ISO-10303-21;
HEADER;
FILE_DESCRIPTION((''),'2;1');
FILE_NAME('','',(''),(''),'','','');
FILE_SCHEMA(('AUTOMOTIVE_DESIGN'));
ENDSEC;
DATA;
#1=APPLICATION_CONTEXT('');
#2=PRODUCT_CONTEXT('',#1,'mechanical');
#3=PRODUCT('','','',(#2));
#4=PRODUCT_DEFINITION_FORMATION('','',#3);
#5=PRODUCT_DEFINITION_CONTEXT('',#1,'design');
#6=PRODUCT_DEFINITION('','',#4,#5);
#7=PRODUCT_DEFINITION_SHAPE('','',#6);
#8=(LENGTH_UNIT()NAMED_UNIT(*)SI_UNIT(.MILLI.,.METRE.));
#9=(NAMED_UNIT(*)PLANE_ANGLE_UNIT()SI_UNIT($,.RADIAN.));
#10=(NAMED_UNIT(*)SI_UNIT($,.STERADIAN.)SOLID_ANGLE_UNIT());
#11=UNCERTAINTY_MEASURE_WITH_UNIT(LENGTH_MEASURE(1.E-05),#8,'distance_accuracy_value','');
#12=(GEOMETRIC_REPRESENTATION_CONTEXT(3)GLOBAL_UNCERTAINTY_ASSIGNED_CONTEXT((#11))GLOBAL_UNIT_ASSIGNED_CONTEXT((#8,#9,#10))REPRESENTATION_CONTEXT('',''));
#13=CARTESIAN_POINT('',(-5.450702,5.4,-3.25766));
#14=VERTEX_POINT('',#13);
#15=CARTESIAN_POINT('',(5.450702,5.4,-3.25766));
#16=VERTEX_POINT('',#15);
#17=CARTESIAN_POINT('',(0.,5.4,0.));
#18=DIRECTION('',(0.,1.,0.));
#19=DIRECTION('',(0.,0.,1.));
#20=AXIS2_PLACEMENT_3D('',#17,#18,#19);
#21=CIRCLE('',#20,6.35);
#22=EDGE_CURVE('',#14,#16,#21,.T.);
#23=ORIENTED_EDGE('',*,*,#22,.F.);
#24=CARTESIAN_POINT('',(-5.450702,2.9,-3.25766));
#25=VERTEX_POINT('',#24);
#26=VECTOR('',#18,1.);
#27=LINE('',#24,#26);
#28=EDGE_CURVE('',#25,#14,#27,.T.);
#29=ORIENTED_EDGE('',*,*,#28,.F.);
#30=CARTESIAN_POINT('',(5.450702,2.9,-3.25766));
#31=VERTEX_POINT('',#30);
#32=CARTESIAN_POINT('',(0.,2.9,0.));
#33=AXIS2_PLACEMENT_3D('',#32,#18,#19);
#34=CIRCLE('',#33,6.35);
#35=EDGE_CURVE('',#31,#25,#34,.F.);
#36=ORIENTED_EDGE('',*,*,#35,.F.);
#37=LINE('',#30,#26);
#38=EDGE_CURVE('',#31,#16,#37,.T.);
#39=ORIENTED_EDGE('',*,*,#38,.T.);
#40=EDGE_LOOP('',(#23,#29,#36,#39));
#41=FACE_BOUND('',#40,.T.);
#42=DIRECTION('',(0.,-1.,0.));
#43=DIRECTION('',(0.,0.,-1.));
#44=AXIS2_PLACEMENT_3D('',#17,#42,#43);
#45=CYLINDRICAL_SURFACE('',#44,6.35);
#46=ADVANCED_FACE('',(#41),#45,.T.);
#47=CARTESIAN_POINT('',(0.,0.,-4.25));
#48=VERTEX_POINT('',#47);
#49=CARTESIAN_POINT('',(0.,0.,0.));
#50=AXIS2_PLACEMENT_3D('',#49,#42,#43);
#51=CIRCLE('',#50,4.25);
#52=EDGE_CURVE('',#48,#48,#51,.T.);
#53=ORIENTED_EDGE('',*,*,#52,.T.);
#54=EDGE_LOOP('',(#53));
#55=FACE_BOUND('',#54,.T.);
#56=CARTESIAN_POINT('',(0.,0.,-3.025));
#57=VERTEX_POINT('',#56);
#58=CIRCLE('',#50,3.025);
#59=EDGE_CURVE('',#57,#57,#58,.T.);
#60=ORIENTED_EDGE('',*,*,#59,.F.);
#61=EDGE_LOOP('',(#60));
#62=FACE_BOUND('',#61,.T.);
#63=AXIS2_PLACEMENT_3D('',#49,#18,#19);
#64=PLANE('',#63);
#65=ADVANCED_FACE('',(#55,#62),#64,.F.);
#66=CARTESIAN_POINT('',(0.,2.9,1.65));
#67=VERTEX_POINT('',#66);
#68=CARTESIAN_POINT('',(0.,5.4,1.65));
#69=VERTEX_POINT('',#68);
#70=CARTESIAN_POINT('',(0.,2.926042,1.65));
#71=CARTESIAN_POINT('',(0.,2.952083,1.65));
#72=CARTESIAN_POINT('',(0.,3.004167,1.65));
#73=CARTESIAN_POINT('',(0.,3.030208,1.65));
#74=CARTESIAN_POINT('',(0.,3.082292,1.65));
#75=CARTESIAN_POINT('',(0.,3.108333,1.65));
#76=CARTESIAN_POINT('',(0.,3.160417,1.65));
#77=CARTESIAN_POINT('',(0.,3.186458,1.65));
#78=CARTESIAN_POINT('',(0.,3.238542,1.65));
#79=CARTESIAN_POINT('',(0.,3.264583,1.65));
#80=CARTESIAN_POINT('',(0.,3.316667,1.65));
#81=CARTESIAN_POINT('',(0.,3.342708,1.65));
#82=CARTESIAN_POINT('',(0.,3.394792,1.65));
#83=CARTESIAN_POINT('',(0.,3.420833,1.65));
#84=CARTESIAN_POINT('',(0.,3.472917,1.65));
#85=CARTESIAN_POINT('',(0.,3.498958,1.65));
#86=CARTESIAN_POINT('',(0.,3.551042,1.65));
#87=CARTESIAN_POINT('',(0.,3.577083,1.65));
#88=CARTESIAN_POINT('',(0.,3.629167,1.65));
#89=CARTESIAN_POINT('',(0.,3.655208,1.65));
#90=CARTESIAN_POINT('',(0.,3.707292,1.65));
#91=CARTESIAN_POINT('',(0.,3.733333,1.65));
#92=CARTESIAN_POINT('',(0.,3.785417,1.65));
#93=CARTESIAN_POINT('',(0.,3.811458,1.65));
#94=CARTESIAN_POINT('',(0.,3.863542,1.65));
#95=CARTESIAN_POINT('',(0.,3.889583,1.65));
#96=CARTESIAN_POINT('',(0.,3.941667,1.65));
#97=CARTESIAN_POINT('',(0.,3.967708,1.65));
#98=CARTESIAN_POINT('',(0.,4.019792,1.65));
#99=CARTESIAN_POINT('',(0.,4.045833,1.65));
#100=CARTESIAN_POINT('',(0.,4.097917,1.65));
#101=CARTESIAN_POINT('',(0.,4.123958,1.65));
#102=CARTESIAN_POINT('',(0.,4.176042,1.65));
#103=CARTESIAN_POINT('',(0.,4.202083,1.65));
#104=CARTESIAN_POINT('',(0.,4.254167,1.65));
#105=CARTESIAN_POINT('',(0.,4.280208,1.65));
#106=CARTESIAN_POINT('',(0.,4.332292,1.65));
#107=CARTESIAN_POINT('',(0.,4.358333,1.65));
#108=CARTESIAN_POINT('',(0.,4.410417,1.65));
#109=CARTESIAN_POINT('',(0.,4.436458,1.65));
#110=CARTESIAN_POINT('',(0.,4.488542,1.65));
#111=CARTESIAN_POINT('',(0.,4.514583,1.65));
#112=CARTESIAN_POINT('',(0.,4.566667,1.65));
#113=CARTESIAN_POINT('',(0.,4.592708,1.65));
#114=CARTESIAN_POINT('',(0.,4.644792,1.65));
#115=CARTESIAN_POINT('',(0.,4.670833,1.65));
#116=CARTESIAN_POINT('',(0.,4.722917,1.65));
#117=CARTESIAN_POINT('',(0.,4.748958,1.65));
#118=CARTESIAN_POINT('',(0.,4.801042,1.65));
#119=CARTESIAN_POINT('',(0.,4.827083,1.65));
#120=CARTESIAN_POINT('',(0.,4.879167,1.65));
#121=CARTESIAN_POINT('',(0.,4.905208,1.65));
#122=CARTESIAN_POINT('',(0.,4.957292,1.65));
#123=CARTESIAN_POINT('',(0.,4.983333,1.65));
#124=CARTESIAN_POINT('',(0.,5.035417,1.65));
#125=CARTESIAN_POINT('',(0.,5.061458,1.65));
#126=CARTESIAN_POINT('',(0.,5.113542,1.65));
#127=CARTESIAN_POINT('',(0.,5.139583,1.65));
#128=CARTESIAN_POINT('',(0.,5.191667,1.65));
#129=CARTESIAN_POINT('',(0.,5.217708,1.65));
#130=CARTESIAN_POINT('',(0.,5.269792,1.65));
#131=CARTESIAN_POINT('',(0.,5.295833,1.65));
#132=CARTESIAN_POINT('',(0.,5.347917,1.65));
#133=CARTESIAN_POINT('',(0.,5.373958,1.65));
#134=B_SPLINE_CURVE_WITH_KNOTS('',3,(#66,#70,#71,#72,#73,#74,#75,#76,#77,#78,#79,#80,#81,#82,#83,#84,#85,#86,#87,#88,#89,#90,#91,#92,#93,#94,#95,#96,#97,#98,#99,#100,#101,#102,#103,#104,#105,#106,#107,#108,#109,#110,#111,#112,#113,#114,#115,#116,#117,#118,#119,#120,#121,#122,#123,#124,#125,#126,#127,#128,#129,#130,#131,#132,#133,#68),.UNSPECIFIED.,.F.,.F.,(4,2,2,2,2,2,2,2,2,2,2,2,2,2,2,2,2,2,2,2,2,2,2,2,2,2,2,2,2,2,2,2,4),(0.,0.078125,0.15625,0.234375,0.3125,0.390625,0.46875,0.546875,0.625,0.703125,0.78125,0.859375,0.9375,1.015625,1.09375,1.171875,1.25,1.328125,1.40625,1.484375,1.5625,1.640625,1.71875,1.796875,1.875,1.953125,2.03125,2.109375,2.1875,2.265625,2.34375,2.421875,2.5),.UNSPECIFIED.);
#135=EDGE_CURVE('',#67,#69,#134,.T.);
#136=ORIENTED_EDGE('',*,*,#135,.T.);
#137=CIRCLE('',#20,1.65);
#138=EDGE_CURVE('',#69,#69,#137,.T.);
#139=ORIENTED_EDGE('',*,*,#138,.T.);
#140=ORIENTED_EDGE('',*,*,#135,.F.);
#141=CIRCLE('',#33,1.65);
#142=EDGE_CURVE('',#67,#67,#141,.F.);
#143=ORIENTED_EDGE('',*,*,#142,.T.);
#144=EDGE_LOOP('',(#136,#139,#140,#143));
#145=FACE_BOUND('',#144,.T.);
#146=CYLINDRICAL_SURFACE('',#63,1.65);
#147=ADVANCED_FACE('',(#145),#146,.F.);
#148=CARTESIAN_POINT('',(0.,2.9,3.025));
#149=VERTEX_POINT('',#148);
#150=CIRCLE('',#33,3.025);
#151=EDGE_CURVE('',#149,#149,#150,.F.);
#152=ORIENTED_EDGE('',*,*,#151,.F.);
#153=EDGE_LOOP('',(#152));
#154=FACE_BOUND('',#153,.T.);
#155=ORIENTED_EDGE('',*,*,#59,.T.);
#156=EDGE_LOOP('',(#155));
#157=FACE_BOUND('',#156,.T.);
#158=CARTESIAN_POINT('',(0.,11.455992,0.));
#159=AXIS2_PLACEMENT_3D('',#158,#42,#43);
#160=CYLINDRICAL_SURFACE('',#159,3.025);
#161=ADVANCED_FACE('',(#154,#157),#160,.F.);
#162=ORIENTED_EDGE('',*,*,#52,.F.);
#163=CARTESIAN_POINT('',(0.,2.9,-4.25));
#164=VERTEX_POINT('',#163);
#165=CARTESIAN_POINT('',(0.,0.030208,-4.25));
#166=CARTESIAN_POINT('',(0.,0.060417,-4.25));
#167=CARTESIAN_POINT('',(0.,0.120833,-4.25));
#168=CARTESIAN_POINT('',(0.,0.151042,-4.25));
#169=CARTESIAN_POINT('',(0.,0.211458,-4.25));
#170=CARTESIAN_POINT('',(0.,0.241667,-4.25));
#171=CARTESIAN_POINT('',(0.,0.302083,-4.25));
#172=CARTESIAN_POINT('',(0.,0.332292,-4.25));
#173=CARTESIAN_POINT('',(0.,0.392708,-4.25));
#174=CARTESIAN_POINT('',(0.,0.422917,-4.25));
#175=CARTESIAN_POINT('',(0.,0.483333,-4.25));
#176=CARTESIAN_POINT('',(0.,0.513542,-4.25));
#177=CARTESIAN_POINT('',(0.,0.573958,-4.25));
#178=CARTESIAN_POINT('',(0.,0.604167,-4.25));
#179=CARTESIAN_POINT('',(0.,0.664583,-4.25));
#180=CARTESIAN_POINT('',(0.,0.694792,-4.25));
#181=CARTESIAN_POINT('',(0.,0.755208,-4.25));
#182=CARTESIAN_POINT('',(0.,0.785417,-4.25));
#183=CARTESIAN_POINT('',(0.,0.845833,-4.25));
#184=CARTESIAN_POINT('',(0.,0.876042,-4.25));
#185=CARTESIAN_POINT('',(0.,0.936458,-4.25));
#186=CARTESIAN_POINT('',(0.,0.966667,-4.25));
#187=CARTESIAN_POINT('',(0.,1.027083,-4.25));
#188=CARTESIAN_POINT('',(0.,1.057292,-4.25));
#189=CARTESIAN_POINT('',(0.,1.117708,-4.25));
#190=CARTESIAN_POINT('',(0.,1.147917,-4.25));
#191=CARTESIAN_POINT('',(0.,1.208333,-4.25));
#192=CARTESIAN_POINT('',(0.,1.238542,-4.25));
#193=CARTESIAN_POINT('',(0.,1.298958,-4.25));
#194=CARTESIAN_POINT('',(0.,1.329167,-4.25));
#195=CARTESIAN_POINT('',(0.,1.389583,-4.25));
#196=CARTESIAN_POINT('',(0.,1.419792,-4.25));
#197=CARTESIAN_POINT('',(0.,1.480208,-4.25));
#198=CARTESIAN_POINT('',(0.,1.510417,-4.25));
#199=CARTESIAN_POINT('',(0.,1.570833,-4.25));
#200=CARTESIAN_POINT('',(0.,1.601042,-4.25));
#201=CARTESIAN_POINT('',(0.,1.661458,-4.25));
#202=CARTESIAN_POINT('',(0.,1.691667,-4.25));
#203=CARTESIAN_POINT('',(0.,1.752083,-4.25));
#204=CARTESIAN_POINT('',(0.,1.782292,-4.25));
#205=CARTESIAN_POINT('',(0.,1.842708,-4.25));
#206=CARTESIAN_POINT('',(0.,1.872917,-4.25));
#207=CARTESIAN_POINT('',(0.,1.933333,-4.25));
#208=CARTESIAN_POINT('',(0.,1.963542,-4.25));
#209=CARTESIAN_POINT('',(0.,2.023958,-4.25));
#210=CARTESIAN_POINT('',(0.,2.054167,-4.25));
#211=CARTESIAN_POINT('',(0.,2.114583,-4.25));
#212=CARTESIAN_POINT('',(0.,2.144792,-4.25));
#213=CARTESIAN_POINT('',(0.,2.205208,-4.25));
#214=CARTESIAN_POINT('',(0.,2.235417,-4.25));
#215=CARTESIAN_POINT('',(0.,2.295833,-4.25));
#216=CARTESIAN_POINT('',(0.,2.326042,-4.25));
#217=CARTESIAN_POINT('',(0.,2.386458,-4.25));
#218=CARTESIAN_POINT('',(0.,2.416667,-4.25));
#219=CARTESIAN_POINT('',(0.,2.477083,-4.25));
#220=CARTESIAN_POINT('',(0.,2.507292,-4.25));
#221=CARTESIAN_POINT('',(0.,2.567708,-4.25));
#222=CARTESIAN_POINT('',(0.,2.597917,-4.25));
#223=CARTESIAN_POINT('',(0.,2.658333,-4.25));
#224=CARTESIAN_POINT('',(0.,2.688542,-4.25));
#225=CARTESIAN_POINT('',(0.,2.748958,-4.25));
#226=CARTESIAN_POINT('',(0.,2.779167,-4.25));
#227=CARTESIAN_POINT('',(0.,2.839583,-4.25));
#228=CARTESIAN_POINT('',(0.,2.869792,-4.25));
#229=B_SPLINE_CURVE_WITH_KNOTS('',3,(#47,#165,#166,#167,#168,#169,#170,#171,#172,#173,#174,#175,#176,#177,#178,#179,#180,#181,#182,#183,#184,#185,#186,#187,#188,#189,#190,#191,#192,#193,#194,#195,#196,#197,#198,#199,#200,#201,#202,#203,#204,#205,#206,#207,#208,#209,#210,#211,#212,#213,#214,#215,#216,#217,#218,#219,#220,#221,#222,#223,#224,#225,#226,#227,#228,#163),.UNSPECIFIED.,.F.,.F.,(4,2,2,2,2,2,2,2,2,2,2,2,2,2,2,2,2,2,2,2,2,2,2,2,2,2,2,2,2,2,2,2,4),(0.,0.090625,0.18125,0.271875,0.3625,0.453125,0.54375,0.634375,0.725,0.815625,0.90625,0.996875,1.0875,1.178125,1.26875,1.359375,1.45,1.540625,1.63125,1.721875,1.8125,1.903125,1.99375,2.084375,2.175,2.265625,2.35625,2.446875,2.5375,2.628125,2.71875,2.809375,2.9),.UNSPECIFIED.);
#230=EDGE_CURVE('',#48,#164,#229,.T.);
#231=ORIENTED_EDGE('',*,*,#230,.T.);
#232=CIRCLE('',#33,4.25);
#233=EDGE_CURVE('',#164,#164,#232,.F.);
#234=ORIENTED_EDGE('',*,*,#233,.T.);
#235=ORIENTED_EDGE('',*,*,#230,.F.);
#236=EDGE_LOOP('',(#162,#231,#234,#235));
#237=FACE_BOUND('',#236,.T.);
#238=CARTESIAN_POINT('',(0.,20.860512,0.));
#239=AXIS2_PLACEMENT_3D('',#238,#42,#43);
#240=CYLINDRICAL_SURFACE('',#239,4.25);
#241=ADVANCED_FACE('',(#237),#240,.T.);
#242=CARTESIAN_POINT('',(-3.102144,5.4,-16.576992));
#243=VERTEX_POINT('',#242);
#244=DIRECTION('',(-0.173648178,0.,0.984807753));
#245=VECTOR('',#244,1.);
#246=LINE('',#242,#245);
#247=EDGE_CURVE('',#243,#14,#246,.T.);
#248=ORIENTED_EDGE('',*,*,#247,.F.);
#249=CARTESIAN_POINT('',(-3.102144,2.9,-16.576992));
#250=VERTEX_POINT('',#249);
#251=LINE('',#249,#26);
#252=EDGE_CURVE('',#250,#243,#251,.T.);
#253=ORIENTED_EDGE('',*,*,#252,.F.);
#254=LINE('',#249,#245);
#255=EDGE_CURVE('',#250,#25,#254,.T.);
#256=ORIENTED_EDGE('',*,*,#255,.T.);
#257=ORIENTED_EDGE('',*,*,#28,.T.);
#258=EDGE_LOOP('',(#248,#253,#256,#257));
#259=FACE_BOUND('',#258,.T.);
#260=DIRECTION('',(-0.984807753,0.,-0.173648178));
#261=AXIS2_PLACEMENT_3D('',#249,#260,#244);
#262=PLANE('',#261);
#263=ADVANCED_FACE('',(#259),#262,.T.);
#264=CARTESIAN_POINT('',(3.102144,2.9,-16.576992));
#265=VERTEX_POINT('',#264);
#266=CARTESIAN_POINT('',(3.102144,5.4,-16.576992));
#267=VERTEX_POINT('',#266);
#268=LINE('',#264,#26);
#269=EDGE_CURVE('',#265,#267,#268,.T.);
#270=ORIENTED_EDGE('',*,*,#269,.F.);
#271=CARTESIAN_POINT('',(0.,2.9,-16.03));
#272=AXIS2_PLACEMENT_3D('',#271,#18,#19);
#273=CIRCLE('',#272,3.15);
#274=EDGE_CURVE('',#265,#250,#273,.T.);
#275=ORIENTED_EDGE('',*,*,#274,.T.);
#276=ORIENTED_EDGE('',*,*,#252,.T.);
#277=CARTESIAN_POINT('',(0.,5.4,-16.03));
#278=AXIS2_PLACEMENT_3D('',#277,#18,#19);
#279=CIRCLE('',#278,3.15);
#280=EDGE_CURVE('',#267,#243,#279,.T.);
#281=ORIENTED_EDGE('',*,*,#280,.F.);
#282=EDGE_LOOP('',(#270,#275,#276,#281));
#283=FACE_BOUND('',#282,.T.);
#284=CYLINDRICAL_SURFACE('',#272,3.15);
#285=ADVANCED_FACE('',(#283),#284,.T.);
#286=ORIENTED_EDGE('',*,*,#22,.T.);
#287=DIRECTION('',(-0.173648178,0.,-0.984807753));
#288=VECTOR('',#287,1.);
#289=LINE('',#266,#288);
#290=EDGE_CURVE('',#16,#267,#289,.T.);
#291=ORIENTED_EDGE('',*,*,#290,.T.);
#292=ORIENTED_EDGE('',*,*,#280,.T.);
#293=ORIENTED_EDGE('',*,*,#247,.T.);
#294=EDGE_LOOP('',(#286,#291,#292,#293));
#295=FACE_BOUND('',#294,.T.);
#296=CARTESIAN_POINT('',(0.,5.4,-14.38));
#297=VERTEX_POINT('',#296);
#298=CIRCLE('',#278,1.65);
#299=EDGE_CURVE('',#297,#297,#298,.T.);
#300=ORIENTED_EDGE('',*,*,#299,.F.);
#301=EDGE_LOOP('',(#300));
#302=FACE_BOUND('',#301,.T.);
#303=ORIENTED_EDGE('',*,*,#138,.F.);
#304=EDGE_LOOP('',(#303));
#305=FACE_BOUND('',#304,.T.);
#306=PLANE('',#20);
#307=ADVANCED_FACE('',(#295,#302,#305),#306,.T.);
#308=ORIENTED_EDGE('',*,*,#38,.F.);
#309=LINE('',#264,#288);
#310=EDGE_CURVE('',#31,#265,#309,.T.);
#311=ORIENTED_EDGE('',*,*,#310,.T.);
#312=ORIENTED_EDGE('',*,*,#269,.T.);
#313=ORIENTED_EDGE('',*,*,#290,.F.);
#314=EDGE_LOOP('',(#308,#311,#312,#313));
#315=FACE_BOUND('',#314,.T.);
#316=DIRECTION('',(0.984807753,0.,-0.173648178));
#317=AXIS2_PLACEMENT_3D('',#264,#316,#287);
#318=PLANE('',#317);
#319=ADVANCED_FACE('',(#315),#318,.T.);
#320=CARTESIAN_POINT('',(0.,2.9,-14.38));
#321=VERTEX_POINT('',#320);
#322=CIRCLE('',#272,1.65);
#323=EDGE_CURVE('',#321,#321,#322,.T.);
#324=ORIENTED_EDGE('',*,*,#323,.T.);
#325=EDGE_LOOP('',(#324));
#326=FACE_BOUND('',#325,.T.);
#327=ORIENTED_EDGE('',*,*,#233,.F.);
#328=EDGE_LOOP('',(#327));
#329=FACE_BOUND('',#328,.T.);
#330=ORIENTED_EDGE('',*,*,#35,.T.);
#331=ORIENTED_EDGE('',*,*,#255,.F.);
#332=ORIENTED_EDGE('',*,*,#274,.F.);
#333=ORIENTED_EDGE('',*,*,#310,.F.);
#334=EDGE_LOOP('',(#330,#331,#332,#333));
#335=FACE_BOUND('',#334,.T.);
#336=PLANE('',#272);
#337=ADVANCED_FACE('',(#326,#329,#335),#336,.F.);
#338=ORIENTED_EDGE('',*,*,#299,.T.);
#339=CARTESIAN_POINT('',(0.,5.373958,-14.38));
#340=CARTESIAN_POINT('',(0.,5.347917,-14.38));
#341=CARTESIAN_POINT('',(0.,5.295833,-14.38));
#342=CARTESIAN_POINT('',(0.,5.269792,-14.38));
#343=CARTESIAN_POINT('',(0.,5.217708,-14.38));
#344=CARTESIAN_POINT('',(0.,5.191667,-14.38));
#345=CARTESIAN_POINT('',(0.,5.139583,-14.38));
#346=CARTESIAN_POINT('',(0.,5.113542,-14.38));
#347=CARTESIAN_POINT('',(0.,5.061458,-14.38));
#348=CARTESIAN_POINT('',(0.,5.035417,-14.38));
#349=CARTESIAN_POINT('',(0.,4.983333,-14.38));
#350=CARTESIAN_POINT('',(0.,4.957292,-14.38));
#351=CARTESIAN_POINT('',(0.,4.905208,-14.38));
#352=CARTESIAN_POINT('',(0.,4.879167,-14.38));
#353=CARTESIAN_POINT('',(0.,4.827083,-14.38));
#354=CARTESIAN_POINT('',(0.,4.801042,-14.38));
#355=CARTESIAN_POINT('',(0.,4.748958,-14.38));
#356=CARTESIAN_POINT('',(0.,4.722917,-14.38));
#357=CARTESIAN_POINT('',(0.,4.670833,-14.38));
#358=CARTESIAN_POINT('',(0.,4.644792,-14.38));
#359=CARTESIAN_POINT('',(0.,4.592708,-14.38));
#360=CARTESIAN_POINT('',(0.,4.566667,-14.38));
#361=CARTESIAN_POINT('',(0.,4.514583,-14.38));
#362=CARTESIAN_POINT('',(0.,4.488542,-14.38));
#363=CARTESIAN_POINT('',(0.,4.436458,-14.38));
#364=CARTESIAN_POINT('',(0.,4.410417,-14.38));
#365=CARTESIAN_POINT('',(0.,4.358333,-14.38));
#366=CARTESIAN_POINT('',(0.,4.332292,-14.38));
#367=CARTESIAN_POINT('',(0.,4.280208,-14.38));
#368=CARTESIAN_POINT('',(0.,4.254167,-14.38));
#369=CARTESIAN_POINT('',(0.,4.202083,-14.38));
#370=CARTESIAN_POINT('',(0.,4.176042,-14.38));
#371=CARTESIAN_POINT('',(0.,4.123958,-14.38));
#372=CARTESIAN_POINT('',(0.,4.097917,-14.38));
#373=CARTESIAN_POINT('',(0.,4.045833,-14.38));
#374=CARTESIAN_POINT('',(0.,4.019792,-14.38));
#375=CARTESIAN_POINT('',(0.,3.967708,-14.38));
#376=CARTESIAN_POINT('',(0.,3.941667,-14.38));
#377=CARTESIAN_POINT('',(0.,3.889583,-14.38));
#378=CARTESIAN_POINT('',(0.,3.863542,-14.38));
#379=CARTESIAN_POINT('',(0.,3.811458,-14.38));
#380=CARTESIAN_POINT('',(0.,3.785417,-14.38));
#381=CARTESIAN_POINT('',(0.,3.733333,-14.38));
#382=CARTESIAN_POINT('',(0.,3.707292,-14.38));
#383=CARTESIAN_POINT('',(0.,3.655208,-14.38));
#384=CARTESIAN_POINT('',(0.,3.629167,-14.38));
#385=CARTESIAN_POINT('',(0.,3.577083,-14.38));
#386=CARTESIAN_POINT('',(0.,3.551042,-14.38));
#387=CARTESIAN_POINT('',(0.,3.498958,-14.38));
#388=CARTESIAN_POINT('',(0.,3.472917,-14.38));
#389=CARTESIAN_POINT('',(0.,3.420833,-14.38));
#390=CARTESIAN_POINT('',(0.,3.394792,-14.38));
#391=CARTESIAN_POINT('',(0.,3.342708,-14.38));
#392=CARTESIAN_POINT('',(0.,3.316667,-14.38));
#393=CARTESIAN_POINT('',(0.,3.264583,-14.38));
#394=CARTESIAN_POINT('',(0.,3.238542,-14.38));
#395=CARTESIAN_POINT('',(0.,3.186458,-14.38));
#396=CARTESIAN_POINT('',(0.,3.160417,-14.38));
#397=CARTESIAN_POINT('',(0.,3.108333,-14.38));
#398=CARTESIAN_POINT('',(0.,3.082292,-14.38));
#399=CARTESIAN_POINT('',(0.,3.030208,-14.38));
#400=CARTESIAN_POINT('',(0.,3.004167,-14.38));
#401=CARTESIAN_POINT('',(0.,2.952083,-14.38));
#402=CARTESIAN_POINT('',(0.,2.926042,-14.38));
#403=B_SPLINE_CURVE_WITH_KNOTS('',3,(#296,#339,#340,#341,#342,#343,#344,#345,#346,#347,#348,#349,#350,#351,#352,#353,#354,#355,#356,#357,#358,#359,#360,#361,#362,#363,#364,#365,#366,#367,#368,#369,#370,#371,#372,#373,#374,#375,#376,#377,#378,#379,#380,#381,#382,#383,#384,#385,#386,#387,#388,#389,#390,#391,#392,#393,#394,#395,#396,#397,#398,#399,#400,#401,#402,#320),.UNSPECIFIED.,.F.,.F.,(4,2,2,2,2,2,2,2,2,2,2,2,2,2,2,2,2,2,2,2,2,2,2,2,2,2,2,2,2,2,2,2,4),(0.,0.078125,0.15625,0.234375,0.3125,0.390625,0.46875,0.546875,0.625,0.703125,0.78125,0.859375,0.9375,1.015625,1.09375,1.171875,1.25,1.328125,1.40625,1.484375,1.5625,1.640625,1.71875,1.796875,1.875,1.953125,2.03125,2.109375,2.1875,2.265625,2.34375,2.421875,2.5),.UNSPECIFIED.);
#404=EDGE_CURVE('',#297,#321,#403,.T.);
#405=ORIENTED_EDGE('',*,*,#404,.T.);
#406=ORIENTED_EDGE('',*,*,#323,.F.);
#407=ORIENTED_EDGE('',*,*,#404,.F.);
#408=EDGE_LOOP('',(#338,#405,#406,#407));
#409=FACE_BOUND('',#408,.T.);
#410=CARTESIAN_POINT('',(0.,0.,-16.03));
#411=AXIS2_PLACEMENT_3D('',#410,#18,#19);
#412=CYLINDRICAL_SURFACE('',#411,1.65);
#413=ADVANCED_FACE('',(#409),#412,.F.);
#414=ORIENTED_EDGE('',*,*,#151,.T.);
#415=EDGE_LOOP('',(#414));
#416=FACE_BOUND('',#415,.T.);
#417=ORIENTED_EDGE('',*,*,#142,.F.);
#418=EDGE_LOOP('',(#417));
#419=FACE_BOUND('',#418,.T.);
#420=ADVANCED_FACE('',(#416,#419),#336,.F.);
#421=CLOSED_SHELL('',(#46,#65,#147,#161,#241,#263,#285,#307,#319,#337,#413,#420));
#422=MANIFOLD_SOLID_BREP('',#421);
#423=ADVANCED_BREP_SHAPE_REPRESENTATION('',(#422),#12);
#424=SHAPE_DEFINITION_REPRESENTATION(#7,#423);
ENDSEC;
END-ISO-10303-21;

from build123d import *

# Parameters (mm, degrees)
BASES_R             = 6.35
BASE_DEPTH          = 5.4
TOPBORES_R          = 1.65
TOP_BORE_DEPTH      = 11.478788098
HORN_START          = -2.5
HORN_HALF_DEPTH     = 2.5
HORNATTACHS_R       = 1.65
HORN_ATTACH_DEPTH   = 21.913031822
HOLDINGSHAFTS_R     = 6.35
HOLDINGSHAFTS_R_2   = 4.25
HOLDING_SHAFT_DEPTH = 2.9
SKETCH3_R           = 3.025
CUT_EXTRUDE2_DEPTH  = 2.9


with BuildPart() as part:
    # BaseS → BASE (new body)
    with BuildSketch(Plane(origin=(0, 0, 0), x_dir=(1, 0, 0), z_dir=(0, 1, 0))):
        with Locations(Location((0, 0, 0), (0, 0, 90))):
            Circle(BASES_R)
    extrude(amount=BASE_DEPTH)

    # TopBoreS → TOP BORE (cut, through all)
    with BuildSketch(Plane(origin=(0, 5.4, 0), x_dir=(1, 0, 0), z_dir=(0, 1, 0))):
        with Locations(Location((0, 0, 0), (0, 0, 270))):
            Circle(TOPBORES_R)
    extrude(amount=-TOP_BORE_DEPTH, mode=Mode.SUBTRACT)

    # HornHalfS → HORN HALF (add)
    with BuildSketch(Plane(origin=(0, 5.4, 0), x_dir=(1, 0, 0), z_dir=(0, 1, 0)).offset(HORN_START)):
        with BuildLine():
            Line((-3.102144422, 16.57699176), (-5.450702003, 3.257659846))
            ThreePointArc((-5.450702003, 3.257659846), (0, 6.35), (5.450702003, 3.257659846))
            Line((5.450702003, 3.257659846), (3.102144422, 16.57699176))
            ThreePointArc((3.102144422, 16.57699176), (0, 19.18), (-3.102144422, 16.57699176))
        make_face()
    extrude(amount=HORN_HALF_DEPTH)

    # HornAttachS → HORN ATTACH (cut, through all)
    with BuildSketch(Plane(origin=(0, 5.4, 0), x_dir=(1, 0, 0), z_dir=(0, 1, 0))):
        with Locations(Location((0, 16.03, 0), (0, 0, 270))):
            Circle(HORNATTACHS_R)
    extrude(amount=-HORN_ATTACH_DEPTH, mode=Mode.SUBTRACT)

    # HoldingShaftS → HOLDING SHAFT (cut)
    with BuildSketch(Plane.XZ):
        Circle(HOLDINGSHAFTS_R)
        with Locations(Location((0, 0, 0), (0, 0, 270))):
            Circle(HOLDINGSHAFTS_R_2, mode=Mode.SUBTRACT)
    extrude(amount=-HOLDING_SHAFT_DEPTH, mode=Mode.SUBTRACT)

    # Sketch3 → Cut-Extrude2 (cut)
    with BuildSketch(Plane.XZ):
        with Locations(Location((0, 0, 0), (0, 0, 270))):
            Circle(SKETCH3_R)
    extrude(amount=-CUT_EXTRUDE2_DEPTH, mode=Mode.SUBTRACT)


solid = part.part
